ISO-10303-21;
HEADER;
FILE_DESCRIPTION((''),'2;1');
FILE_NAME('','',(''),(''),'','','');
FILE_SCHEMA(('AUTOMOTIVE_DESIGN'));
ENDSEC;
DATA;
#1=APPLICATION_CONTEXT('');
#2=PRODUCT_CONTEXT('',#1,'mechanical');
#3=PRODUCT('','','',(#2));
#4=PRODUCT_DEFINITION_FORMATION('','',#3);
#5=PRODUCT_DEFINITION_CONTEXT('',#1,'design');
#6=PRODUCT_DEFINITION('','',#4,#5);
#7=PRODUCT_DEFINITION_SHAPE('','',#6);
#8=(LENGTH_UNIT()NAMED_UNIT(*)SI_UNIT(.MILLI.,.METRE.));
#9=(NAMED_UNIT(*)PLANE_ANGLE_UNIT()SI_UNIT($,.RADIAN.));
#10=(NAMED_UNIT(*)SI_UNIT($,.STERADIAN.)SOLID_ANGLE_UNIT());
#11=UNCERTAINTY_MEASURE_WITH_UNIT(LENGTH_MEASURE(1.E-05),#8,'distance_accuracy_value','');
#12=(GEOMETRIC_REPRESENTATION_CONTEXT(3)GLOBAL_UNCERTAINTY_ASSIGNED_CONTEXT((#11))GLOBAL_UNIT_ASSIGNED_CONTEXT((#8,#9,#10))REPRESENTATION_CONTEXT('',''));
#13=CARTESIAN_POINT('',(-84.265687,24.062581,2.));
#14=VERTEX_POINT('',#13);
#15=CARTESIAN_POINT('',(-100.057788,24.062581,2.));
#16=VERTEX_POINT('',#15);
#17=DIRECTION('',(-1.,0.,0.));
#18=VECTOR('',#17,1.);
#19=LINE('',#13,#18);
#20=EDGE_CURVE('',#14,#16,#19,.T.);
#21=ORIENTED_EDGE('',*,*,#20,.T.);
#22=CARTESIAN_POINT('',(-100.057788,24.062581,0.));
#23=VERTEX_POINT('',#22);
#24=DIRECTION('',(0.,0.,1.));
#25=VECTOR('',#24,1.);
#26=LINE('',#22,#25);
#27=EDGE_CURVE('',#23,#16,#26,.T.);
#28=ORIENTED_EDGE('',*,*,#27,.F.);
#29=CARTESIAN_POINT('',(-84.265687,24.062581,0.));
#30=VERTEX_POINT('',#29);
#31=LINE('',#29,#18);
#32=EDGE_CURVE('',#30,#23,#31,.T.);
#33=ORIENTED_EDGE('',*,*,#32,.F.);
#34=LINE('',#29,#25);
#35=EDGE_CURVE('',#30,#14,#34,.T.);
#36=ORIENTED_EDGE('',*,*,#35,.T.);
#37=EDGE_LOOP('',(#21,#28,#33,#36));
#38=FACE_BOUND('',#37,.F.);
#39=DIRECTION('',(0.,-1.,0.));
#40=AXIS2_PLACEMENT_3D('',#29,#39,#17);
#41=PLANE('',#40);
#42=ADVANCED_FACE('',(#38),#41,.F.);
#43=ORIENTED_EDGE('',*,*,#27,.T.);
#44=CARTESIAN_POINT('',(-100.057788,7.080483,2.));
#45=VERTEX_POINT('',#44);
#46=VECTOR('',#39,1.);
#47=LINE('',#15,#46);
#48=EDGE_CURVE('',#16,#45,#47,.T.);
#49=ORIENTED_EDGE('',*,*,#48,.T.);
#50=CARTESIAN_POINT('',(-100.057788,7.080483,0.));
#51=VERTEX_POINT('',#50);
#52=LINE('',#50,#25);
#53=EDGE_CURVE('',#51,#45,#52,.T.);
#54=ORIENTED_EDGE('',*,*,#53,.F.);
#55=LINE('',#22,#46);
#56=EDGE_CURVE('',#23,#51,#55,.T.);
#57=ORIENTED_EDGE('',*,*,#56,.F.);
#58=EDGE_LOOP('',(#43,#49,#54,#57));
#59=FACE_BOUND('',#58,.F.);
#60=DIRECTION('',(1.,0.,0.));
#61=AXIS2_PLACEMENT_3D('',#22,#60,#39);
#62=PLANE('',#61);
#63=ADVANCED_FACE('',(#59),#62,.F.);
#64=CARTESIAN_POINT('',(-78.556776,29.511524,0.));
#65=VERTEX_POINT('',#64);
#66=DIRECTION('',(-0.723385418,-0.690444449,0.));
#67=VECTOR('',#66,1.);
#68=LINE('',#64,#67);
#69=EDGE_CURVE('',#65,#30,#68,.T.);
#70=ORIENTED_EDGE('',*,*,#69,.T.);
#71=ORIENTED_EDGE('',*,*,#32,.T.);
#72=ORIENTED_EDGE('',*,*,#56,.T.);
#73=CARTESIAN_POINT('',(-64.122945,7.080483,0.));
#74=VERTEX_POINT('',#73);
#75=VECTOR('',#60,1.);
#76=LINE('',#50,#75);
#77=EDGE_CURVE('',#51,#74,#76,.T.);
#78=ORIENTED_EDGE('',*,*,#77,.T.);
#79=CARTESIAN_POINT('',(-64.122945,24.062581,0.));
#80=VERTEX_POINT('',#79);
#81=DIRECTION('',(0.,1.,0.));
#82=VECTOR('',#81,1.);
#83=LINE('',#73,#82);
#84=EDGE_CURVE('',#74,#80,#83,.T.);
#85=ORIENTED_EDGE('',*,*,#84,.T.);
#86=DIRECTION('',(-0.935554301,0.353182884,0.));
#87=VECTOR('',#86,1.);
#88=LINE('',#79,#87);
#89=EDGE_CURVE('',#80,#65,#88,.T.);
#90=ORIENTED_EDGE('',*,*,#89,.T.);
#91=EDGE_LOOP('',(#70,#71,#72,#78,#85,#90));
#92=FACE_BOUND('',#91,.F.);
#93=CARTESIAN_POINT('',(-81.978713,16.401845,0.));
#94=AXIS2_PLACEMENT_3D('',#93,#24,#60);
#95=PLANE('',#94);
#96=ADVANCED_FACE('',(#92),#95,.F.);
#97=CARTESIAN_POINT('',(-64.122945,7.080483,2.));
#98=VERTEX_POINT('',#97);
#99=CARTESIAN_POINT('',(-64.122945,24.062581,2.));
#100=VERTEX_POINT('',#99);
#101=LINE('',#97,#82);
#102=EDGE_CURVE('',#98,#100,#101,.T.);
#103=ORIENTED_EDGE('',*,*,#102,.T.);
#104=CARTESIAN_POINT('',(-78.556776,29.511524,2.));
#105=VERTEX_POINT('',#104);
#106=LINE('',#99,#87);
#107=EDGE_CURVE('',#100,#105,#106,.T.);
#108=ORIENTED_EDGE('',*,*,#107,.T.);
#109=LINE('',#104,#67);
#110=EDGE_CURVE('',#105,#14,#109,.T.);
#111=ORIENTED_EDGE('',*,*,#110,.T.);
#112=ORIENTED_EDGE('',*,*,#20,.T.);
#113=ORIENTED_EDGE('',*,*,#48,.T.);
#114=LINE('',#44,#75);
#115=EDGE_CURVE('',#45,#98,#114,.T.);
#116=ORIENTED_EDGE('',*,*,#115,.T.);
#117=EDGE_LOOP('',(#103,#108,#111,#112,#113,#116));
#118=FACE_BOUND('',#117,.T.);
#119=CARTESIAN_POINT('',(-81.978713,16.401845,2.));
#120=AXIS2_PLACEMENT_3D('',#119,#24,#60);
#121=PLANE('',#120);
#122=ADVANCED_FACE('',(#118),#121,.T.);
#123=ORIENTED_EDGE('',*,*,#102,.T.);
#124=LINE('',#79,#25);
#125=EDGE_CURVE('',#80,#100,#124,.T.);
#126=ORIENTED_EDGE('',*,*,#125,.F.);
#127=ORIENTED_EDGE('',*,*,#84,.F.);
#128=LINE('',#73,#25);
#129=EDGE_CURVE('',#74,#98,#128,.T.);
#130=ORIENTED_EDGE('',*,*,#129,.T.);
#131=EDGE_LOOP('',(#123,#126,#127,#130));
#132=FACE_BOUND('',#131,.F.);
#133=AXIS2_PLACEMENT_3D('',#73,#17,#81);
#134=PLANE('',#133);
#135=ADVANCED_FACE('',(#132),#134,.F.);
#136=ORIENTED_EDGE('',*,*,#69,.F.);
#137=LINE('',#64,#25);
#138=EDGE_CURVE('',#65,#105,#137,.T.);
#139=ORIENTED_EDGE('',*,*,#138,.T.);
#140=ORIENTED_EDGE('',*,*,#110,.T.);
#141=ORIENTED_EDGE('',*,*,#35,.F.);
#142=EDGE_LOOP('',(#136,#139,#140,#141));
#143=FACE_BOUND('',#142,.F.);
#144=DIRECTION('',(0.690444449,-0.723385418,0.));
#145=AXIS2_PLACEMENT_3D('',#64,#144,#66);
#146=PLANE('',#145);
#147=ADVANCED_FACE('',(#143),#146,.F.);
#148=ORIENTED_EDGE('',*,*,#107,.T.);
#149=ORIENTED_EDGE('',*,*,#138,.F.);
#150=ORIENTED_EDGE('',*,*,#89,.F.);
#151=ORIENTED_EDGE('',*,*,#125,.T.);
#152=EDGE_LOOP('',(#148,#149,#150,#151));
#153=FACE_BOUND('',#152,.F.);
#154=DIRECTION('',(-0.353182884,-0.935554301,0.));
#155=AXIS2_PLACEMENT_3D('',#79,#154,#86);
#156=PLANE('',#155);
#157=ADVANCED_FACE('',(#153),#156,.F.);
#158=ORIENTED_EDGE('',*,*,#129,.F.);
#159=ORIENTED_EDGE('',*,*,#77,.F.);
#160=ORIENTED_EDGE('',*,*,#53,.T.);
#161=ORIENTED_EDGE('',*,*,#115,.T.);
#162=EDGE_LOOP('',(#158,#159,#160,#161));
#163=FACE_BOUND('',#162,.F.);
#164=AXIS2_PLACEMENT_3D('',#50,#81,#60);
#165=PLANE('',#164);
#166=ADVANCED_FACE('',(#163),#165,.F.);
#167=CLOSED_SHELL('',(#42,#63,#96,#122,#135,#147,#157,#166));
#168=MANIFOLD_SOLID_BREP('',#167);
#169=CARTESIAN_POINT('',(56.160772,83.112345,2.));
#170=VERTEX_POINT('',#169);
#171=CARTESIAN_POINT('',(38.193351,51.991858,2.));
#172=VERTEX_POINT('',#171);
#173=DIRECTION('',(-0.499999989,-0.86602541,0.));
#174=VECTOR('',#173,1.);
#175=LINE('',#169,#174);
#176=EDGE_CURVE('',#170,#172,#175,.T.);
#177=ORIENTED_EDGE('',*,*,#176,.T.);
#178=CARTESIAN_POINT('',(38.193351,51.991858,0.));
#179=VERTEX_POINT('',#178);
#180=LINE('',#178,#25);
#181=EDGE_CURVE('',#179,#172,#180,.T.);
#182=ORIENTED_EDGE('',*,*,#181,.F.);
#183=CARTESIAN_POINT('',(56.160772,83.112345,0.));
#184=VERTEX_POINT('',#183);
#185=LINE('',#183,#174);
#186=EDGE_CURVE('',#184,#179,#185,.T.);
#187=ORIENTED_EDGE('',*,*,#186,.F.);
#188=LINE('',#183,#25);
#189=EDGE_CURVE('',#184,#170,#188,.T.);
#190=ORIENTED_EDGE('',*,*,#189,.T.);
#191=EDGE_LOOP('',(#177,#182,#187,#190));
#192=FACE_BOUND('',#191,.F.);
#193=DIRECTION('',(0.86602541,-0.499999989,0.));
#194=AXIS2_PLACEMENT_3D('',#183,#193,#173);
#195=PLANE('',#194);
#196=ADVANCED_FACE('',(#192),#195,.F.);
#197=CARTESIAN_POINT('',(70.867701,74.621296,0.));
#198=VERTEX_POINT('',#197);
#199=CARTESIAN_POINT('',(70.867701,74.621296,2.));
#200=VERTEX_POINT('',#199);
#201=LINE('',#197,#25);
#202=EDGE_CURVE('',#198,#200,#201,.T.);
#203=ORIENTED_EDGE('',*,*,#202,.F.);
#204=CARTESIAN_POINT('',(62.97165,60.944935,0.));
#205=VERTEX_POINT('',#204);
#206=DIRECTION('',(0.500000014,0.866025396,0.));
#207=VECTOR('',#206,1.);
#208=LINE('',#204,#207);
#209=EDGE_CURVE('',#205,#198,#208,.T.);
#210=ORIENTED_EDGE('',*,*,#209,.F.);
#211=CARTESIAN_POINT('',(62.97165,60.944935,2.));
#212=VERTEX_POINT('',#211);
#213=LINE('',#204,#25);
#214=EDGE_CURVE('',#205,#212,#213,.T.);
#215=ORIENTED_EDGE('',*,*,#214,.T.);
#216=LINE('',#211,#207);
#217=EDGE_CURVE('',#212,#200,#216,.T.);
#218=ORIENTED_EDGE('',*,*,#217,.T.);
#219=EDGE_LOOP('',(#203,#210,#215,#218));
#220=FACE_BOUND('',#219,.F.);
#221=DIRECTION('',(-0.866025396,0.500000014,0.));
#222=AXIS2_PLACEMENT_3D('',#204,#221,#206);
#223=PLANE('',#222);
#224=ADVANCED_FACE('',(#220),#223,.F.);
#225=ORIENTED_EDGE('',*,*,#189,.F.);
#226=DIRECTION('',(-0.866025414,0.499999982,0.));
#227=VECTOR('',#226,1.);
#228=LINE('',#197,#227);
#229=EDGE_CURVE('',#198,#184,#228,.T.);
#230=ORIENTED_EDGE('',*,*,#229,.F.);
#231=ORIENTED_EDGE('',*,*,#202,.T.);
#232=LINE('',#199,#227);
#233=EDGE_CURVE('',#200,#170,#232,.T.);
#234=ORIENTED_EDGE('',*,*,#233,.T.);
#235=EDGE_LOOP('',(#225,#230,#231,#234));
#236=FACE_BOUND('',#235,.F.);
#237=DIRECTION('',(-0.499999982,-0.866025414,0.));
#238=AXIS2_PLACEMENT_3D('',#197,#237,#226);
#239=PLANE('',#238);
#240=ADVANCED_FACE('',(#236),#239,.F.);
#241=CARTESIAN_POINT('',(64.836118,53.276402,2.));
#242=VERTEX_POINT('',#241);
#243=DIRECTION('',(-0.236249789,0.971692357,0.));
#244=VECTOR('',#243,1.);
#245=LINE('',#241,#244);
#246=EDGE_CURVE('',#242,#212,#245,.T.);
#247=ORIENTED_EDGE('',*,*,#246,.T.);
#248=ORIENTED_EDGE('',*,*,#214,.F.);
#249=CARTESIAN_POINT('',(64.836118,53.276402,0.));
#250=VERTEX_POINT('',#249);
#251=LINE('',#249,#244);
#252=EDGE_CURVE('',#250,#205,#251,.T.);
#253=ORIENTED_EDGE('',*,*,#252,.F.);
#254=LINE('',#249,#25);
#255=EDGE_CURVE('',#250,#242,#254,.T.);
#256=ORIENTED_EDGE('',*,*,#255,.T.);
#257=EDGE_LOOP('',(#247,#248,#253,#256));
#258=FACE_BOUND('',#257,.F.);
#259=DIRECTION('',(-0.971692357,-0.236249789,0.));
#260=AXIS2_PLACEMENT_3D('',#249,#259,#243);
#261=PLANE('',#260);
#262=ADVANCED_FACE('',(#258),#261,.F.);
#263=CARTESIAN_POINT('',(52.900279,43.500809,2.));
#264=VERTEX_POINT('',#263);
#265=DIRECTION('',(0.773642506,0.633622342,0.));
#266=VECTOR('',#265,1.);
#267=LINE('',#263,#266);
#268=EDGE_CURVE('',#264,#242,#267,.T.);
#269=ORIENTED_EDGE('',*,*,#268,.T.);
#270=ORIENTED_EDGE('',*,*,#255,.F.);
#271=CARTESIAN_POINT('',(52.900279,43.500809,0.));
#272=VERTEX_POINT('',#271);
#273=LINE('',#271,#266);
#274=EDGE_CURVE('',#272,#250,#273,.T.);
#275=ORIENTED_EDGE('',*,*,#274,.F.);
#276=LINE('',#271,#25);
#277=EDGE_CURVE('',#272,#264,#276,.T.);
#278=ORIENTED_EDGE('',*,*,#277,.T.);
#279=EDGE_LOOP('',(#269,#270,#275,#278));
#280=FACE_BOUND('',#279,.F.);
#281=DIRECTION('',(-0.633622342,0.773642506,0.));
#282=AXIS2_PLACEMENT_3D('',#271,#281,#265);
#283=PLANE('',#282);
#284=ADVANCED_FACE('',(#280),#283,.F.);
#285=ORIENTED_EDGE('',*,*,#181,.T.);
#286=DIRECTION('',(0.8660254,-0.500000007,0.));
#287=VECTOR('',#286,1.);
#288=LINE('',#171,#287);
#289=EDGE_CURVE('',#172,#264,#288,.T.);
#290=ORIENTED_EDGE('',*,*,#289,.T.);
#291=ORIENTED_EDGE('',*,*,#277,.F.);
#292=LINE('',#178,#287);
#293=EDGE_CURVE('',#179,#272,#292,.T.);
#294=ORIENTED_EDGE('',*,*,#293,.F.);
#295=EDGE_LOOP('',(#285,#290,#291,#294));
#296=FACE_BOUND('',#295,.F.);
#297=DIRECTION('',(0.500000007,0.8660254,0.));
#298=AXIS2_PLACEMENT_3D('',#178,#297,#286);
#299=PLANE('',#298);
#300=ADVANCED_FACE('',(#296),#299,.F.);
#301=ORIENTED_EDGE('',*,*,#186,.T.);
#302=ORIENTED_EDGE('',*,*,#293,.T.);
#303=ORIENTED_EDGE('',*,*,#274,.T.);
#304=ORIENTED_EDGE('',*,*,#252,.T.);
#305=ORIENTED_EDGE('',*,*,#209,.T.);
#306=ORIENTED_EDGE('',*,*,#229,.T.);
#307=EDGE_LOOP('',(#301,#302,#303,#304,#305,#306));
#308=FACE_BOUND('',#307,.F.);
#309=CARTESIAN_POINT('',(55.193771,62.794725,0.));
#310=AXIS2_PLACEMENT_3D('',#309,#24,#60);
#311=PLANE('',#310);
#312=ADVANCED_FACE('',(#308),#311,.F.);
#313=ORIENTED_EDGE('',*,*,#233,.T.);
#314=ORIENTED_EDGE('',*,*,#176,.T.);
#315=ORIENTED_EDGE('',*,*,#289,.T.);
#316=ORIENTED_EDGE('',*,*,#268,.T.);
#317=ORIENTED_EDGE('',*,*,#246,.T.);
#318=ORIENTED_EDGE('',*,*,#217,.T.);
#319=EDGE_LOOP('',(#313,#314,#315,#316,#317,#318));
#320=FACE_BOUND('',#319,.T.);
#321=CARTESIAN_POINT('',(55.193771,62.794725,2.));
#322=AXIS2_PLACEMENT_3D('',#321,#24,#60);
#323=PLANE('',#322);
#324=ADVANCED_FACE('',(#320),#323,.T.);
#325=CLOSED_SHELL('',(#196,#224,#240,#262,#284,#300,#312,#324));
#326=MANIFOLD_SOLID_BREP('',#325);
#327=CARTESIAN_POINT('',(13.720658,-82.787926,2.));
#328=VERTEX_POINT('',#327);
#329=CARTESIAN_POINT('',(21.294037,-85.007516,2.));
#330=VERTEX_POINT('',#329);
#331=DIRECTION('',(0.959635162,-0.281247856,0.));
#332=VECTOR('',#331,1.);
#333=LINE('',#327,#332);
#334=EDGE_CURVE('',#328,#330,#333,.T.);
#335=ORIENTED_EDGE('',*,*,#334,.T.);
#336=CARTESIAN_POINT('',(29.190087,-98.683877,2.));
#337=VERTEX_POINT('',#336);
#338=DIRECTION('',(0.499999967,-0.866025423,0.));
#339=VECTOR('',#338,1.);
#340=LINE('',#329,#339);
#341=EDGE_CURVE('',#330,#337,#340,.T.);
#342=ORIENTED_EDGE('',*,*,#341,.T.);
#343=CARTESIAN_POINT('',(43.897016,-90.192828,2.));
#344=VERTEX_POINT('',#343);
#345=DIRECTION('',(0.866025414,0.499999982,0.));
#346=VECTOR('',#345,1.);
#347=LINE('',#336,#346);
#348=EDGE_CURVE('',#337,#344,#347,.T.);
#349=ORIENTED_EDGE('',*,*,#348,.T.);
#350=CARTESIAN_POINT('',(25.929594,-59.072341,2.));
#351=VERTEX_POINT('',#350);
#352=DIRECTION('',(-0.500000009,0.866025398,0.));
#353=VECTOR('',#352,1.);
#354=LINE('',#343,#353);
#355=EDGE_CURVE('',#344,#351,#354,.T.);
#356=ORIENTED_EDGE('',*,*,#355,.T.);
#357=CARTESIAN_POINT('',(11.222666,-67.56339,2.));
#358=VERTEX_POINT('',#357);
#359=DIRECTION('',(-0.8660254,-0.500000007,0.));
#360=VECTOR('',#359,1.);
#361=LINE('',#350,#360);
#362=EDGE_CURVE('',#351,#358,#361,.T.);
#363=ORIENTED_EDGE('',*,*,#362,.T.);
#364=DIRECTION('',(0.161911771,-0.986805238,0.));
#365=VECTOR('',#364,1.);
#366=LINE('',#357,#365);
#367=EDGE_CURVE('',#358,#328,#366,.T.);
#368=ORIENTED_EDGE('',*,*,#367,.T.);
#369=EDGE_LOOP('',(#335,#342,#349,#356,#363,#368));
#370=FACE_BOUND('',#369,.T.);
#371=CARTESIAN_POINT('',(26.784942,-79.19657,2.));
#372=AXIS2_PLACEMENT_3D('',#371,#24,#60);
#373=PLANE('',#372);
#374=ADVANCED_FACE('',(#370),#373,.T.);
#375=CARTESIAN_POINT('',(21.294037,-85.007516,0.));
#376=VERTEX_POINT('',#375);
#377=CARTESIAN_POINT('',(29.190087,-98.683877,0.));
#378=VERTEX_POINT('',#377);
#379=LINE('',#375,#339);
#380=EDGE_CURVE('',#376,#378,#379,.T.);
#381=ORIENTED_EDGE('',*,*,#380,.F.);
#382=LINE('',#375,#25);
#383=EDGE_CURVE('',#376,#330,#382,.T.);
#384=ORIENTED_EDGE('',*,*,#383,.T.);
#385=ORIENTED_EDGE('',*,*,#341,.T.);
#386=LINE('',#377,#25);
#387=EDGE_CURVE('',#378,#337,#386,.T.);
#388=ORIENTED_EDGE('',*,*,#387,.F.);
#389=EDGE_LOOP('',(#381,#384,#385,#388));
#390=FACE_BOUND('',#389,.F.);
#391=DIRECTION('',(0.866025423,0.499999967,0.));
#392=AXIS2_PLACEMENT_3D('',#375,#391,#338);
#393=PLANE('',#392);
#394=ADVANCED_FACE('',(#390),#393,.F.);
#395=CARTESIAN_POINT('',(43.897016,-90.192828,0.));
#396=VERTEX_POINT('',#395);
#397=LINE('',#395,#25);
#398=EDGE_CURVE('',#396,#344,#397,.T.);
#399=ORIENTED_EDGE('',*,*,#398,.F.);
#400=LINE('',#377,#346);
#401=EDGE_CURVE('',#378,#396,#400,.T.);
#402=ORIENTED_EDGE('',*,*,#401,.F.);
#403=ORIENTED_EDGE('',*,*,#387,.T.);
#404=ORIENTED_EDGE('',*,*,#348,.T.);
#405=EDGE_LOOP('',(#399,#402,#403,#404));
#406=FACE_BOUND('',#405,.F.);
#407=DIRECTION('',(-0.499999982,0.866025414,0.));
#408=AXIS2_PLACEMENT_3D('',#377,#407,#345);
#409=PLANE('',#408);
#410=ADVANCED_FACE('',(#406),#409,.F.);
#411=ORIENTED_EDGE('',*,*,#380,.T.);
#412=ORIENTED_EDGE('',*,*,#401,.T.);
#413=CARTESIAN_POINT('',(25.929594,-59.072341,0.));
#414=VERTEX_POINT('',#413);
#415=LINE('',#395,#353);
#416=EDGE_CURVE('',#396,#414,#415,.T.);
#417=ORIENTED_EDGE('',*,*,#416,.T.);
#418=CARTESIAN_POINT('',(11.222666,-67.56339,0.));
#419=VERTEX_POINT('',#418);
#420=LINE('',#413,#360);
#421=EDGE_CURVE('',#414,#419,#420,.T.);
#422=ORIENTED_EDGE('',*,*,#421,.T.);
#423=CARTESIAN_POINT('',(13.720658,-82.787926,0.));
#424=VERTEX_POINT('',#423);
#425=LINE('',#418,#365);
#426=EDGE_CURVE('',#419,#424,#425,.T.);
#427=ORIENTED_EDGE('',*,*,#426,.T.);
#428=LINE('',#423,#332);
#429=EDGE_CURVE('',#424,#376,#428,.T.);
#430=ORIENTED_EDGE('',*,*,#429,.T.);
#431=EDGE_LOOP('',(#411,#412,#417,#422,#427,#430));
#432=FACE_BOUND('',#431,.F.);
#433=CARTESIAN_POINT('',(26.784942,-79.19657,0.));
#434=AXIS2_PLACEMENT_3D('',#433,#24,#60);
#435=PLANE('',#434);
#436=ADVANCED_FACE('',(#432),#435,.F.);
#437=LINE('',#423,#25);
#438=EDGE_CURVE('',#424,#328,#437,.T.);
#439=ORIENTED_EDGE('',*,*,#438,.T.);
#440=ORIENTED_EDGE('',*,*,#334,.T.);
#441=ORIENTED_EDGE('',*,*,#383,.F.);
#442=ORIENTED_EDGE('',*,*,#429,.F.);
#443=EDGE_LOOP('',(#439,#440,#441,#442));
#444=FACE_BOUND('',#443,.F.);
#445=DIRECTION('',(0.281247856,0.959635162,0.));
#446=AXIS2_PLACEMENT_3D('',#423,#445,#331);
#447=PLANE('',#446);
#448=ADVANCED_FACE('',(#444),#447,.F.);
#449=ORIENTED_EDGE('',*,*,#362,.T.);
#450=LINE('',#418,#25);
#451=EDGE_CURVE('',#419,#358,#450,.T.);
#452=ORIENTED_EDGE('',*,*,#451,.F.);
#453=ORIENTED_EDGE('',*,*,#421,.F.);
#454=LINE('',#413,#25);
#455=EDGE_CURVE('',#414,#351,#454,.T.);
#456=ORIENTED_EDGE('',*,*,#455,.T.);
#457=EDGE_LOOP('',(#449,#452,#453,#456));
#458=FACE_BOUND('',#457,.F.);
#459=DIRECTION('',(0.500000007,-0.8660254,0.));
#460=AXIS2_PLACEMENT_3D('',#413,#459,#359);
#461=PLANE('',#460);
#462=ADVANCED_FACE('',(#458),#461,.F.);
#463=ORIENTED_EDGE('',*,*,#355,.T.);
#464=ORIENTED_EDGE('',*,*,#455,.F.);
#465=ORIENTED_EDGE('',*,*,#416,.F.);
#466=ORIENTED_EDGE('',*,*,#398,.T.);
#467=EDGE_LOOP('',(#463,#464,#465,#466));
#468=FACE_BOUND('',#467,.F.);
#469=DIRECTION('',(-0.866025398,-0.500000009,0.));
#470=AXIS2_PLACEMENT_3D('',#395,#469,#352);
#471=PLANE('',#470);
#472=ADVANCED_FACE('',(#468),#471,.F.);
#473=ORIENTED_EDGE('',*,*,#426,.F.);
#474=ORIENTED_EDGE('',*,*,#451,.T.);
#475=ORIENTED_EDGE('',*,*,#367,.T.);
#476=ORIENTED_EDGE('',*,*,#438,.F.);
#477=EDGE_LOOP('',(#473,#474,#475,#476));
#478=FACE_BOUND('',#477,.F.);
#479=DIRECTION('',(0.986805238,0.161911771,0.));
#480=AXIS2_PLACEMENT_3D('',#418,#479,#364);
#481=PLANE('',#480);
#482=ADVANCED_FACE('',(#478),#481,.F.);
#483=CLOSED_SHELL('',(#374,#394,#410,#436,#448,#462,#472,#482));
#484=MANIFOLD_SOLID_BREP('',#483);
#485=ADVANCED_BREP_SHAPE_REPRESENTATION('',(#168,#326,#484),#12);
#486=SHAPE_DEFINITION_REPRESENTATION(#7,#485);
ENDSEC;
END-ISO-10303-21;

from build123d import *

# Parameters (mm, degrees)
F1_DEPTH = 2


with BuildPart() as f1:
    # F0 (on Top) → F1 (new body)
    with BuildSketch(Plane.XY):
        Polygon((-84.265687, 24.062581), (-100.057788, 24.062581), (-100.057788, 7.080483), (-64.122945, 7.080483), (-64.122945, 24.062581), (-78.556776, 29.511524), align=None)
        Polygon((43.897016, -90.192828), (25.929594, -59.072341), (11.222666, -67.56339), (13.720658, -82.787926), (21.294037, -85.007516), (29.190087, -98.683877), align=None)
        Polygon((56.160772, 83.112345), (38.193351, 51.991858), (52.900279, 43.500809), (64.836118, 53.276402), (62.97165, 60.944935), (70.867701, 74.621296), align=None)
    extrude(amount=F1_DEPTH)


solid = f1.part
